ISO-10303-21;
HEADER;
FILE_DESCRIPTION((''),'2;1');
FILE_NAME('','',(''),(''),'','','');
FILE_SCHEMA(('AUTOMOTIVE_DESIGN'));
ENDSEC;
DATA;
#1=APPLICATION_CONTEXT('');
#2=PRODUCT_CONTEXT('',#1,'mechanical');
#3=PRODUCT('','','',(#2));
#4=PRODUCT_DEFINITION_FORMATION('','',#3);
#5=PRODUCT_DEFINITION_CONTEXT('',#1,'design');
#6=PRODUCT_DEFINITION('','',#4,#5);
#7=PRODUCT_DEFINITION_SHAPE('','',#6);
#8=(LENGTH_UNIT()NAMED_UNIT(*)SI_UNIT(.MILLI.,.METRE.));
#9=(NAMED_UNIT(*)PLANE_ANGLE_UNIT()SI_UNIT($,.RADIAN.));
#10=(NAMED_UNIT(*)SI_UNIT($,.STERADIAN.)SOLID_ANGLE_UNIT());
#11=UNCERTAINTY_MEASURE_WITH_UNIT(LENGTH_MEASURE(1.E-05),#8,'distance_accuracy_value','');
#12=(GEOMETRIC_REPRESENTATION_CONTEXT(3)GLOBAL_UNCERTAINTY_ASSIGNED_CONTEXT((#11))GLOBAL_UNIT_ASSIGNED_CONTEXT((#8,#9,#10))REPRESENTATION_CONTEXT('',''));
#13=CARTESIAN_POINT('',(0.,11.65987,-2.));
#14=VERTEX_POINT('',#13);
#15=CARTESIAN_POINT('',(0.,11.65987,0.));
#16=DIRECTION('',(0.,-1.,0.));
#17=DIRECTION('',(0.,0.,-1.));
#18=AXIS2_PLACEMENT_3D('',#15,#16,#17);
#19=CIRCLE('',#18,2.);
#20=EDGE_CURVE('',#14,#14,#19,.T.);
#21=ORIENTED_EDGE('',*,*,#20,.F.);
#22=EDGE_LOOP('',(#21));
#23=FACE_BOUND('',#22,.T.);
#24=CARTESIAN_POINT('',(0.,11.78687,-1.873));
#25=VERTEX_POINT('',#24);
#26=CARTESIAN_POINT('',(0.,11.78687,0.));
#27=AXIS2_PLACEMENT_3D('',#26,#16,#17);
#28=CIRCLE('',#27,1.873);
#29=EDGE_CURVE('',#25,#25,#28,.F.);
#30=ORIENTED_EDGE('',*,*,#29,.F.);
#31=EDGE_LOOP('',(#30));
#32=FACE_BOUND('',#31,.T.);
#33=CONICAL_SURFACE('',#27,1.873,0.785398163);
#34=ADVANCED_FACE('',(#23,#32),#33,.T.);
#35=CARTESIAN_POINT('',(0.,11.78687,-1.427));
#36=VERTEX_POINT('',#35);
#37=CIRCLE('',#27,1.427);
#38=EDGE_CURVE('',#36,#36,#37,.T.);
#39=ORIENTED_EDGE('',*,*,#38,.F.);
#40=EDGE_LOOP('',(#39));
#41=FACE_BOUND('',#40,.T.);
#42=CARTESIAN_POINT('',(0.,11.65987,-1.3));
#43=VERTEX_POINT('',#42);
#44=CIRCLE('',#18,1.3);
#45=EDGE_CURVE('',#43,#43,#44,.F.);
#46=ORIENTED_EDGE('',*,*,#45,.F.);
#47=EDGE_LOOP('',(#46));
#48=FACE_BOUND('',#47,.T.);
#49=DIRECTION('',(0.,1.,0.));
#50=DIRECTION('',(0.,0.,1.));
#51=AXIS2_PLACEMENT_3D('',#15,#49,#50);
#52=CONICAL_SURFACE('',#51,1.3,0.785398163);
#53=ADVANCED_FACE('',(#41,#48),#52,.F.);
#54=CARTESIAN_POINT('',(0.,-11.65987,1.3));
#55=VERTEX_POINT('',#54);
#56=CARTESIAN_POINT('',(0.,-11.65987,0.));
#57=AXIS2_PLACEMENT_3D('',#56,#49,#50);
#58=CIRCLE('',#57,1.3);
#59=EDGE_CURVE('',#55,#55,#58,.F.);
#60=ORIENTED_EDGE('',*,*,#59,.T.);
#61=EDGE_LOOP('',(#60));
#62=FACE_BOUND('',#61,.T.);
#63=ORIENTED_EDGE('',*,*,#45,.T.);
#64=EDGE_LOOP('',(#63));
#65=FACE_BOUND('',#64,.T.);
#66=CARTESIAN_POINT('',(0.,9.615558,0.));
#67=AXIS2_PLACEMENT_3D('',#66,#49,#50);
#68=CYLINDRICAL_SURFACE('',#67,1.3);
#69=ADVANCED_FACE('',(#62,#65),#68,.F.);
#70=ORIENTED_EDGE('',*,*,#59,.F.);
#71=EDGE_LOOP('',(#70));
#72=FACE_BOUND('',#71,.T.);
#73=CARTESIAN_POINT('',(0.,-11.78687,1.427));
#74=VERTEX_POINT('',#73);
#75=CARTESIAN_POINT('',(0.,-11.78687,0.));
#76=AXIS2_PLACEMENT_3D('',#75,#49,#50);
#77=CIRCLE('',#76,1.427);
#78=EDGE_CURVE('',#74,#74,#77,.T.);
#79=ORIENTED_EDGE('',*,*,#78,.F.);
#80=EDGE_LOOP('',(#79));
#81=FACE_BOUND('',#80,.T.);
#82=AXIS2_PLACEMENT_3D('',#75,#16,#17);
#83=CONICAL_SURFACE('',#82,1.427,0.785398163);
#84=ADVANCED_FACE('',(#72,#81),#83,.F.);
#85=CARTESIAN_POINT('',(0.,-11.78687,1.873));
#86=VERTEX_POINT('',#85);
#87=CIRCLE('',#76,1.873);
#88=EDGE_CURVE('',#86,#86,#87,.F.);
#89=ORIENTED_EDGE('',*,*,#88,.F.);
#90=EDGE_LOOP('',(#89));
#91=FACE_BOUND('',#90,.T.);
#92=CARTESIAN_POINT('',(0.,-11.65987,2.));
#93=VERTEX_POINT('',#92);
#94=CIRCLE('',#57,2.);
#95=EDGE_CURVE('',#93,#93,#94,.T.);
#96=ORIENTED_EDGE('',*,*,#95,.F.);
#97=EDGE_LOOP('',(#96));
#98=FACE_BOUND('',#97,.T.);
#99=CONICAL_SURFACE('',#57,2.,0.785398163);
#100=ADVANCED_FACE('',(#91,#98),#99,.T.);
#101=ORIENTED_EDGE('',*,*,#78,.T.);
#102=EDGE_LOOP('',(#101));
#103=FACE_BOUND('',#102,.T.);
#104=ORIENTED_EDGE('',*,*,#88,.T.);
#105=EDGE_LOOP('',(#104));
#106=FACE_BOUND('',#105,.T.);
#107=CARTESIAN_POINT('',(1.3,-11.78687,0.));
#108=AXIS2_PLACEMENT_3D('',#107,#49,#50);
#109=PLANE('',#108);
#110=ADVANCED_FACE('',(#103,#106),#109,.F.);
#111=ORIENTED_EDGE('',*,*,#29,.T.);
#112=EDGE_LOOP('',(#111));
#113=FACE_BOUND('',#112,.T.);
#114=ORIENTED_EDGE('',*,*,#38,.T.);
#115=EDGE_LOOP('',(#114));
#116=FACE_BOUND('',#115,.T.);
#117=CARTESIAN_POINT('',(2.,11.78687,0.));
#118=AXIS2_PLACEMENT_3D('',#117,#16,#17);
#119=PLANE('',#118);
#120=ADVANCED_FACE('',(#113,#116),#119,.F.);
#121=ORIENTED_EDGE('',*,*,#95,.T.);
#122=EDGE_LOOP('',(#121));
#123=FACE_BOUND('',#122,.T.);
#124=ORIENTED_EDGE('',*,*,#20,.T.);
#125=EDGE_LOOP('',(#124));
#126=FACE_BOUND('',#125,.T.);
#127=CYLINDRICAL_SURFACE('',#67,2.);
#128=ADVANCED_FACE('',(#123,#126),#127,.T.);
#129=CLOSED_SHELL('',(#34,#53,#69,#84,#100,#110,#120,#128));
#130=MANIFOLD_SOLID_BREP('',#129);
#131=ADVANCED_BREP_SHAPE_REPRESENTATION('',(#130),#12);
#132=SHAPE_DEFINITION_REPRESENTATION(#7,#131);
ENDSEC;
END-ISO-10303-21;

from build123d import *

# Parameters (mm, degrees)
SKETCH1_W     = 0.7
SKETCH1_H     = 23.57374
CHAMFER1_SIZE = 0.127


with BuildPart() as part:
    # Sketch1 → Revolve1 (revolve)
    with BuildSketch(Plane.XY):
        with Locations((1.65, 0)):
            Rectangle(SKETCH1_W, SKETCH1_H)
    revolve(axis=Axis((0, 9.615558323, 0), (0, -1, 0)))

    # Chamfer1
    chamfer1_edges = [part.edges().sort_by_distance(p)[0] for p in [
        (-1.3, 11.78687, 0),
        (-2, 11.78687, 0),
        (-2, -11.78687, 0),
        (-1.3, -11.78687, 0),
    ]]
    chamfer(chamfer1_edges, length=CHAMFER1_SIZE)


solid = part.part
